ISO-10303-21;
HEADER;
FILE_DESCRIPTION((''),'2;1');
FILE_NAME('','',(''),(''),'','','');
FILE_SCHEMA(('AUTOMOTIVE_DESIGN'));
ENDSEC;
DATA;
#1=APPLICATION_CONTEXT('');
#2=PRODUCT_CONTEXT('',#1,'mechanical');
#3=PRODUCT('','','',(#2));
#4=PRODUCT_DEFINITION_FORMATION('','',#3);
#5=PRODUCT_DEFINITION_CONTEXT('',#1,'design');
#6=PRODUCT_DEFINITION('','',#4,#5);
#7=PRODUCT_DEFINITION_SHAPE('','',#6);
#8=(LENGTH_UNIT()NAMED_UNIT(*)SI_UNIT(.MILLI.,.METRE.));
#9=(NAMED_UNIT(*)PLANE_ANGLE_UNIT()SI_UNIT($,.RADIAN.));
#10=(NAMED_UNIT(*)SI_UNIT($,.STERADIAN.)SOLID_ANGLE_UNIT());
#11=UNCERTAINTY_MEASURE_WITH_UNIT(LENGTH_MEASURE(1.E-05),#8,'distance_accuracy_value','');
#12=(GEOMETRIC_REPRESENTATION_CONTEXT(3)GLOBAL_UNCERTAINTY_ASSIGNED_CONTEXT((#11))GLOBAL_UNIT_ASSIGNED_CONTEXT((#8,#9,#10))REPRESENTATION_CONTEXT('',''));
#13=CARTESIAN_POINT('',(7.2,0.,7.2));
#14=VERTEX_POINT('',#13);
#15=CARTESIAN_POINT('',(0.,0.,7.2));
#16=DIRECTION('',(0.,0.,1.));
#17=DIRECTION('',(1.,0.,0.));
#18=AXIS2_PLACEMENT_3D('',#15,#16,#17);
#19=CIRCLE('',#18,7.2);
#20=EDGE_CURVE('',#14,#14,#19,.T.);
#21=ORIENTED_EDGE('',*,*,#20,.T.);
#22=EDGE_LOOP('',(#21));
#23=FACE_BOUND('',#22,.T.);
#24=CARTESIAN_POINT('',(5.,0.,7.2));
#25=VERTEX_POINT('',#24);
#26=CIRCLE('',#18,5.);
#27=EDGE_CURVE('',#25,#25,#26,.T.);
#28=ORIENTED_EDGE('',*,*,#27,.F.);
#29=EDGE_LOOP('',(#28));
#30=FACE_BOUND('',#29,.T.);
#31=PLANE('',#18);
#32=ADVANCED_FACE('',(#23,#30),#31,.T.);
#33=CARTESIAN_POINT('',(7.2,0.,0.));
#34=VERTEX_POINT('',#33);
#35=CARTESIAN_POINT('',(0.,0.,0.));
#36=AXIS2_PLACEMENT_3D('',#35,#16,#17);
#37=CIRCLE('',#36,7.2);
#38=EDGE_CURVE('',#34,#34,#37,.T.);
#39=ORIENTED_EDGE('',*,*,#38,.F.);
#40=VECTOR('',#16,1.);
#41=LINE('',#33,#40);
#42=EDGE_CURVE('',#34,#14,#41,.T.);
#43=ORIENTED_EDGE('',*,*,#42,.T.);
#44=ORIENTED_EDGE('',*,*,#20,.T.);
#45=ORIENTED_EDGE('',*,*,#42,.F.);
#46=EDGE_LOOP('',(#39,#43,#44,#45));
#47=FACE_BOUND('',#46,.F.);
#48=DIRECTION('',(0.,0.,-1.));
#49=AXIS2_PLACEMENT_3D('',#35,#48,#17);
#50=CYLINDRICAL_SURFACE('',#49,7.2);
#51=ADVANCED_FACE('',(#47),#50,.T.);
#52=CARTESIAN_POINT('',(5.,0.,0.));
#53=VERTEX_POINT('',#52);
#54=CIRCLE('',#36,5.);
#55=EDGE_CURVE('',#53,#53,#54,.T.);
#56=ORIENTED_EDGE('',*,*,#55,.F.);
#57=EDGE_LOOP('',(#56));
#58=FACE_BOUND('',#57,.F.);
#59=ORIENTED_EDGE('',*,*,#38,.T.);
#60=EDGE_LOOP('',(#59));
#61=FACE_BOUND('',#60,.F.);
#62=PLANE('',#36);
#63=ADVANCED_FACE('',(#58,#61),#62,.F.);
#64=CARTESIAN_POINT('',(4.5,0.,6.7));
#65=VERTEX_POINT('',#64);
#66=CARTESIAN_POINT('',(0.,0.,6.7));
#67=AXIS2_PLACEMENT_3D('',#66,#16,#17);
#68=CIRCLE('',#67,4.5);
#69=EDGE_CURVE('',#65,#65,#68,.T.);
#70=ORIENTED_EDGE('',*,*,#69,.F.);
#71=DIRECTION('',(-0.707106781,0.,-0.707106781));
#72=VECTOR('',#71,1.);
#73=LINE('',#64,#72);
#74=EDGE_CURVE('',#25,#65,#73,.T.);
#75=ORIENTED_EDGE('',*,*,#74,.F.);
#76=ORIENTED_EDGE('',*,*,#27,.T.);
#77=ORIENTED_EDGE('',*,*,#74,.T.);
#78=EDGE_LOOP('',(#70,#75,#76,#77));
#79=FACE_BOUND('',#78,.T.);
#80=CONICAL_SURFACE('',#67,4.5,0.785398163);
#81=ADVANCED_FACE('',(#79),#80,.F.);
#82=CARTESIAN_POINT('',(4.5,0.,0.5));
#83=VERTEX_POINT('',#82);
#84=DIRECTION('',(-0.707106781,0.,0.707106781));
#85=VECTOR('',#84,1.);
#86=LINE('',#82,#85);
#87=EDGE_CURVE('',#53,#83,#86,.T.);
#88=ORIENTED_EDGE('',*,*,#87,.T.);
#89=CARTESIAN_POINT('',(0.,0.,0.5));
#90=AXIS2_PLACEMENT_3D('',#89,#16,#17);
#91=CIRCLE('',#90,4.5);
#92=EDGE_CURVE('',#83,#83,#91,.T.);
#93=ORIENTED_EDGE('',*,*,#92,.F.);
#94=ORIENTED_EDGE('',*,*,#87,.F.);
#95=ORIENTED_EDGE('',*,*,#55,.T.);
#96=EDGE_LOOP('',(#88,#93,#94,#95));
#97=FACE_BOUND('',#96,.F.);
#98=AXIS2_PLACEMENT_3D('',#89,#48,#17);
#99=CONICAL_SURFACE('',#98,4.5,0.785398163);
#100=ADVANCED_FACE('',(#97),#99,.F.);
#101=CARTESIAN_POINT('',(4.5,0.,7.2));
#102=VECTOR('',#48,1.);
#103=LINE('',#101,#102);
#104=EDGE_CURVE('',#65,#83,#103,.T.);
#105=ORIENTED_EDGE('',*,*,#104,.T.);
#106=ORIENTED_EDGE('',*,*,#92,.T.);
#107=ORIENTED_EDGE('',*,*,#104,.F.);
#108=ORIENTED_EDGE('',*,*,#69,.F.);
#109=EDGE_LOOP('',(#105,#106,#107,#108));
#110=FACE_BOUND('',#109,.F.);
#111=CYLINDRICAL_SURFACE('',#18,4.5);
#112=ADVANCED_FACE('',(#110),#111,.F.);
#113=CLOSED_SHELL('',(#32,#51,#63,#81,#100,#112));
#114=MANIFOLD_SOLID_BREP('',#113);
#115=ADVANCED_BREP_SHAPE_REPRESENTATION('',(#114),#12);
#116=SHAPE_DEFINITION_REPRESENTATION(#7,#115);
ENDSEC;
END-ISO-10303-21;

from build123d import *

# Parameters (mm, degrees)
F0_R     = 7.2
F1_DEPTH = 7.2
F2_R     = 4.5
F3_DEPTH = 7.201
F4_SIZE  = 0.5


with BuildPart() as f1:
    # F0 (on Top) → F1 (new body)
    with BuildSketch(Plane.XY):
        Circle(F0_R)
    extrude(amount=F1_DEPTH)

    # F2 (on face) → F3 (cut, through all)
    with BuildSketch(Plane.XY.offset(7.2)):
        Circle(F2_R)
    extrude(amount=-F3_DEPTH, mode=Mode.SUBTRACT)

    # F4
    f4_edges = [f1.edges().sort_by_distance(p)[0] for p in [
        (-4.5, 0, 7.2),
        (-4.5, 0, 0),
    ]]
    chamfer(f4_edges, length=F4_SIZE)


solid = f1.part
